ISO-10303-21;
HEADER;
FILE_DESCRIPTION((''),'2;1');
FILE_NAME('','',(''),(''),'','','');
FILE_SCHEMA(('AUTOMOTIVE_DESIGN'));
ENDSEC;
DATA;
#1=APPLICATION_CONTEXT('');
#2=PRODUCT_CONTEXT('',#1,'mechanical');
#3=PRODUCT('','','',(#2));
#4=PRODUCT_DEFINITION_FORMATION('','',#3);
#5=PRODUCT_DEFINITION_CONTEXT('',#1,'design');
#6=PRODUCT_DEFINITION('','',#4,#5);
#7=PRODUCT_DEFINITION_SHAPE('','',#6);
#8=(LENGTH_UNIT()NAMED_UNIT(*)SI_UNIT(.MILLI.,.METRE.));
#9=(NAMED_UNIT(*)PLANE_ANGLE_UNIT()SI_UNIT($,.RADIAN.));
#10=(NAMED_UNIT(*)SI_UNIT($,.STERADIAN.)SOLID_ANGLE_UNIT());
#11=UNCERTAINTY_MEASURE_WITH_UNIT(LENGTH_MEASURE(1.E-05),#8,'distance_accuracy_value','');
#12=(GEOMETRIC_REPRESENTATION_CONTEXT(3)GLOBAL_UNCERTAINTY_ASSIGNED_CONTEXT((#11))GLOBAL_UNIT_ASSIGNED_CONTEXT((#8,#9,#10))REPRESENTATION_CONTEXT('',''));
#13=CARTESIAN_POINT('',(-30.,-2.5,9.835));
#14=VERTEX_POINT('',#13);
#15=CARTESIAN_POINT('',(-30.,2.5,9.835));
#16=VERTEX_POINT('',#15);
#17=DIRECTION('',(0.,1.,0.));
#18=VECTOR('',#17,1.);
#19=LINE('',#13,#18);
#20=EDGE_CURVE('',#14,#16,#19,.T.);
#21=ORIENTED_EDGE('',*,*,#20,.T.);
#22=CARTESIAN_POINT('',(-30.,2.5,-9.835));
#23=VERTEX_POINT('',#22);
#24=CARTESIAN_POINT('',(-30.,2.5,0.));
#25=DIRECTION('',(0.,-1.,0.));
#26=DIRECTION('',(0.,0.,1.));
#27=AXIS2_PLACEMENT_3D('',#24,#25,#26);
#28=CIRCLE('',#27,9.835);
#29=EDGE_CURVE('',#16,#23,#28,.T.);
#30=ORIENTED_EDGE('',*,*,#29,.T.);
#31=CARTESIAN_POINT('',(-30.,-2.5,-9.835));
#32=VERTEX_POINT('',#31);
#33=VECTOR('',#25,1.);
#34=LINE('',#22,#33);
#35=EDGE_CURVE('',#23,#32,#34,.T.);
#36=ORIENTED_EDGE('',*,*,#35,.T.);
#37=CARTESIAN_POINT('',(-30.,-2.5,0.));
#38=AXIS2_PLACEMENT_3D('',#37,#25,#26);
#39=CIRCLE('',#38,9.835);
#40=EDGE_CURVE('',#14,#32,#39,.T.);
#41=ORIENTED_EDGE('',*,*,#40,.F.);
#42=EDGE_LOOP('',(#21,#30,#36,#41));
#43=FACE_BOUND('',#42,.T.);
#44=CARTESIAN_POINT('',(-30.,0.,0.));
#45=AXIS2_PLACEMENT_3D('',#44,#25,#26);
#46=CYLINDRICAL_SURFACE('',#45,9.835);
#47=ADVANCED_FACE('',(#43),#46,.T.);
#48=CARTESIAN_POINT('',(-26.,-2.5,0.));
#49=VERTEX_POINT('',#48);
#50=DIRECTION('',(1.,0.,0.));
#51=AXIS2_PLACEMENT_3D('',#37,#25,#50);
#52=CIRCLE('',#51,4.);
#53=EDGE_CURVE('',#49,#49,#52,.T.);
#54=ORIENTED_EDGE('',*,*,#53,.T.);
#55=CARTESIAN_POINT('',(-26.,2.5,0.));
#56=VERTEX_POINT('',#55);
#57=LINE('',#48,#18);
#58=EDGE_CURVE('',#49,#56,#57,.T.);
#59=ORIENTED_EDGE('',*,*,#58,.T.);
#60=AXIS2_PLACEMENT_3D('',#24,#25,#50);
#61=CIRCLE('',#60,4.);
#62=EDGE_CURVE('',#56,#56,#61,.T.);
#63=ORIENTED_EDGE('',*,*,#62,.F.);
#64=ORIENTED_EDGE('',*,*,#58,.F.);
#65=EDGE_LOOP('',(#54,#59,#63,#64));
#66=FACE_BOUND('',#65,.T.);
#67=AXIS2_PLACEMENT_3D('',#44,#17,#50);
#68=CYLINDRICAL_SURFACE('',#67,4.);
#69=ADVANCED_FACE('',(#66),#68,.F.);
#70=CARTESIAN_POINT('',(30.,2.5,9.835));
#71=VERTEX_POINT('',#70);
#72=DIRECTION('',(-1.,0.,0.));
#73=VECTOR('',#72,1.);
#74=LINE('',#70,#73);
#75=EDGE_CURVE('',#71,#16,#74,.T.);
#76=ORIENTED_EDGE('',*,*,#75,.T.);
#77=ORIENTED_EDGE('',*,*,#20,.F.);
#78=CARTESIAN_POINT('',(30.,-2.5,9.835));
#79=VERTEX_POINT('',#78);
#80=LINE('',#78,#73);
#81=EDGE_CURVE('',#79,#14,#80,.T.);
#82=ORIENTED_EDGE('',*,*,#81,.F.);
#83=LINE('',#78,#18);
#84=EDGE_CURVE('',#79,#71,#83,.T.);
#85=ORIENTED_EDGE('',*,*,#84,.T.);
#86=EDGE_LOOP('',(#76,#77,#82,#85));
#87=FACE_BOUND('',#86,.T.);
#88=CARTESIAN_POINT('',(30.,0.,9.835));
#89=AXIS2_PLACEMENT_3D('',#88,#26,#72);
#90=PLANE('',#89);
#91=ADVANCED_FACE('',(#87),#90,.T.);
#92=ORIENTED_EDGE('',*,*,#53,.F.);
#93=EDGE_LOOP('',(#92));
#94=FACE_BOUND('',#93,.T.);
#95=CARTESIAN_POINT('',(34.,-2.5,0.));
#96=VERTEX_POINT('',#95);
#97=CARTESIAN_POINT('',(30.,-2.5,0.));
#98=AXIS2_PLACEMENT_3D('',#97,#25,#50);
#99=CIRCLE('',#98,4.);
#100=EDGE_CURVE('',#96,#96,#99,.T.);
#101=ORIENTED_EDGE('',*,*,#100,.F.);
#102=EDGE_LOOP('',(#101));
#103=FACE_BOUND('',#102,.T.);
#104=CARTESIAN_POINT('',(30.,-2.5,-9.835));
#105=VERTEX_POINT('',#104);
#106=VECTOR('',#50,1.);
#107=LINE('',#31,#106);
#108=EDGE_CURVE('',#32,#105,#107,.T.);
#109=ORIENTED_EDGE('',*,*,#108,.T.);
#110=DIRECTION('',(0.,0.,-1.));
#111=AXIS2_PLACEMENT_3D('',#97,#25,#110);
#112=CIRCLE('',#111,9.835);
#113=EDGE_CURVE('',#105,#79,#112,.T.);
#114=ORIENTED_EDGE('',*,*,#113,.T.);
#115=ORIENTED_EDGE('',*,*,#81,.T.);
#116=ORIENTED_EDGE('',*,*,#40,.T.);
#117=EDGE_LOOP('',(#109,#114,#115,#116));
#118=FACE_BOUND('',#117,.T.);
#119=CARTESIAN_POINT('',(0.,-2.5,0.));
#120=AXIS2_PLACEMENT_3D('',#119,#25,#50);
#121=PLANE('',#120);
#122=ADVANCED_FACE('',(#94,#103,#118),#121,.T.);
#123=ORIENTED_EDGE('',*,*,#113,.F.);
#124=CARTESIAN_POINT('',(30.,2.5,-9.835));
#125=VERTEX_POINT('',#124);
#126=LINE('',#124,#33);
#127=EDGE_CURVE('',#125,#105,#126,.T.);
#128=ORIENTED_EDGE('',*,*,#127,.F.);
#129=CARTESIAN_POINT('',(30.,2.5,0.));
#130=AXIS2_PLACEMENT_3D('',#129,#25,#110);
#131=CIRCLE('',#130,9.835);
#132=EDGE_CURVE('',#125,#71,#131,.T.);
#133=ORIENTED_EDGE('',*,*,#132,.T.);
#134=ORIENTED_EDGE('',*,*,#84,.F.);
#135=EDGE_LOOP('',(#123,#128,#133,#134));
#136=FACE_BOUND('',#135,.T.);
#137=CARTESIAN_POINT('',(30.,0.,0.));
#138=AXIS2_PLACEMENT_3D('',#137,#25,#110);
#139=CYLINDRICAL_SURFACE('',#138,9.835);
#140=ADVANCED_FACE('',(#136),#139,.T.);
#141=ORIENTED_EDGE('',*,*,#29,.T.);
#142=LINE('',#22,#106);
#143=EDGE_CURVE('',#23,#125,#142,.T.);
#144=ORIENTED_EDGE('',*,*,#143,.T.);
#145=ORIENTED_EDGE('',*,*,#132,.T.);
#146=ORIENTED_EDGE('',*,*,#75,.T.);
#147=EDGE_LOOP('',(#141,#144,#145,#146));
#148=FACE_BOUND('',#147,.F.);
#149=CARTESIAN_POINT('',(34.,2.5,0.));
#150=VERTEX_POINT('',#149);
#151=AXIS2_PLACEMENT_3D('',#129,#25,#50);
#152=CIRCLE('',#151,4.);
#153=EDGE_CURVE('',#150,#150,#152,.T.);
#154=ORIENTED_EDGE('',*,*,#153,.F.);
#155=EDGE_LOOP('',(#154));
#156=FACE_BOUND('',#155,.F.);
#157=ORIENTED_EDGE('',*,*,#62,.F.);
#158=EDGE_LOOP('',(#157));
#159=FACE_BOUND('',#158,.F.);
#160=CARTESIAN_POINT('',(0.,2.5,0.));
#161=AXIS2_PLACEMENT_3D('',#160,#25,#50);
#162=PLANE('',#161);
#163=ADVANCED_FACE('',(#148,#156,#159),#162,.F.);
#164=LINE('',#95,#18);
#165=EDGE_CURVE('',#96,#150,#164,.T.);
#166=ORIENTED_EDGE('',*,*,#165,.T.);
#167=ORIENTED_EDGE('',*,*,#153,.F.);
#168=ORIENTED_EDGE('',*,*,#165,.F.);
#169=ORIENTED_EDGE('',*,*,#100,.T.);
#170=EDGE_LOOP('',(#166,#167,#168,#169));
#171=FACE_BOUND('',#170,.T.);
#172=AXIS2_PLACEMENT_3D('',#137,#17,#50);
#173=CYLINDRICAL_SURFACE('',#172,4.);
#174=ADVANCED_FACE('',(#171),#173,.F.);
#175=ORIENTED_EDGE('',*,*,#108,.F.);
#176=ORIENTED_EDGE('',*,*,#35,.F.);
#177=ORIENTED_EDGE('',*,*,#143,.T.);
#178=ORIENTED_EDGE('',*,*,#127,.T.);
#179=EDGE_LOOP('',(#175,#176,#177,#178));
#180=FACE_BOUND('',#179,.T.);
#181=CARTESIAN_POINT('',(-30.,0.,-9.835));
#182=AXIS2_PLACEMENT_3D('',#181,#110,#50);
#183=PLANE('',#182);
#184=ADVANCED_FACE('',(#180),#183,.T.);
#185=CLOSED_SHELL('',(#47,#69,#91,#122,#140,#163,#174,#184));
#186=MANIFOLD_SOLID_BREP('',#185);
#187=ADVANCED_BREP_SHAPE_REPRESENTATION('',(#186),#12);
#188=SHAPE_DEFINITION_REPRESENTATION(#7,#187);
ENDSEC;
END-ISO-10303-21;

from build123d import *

# Parameters (mm, degrees)
F0_R     = 4
F1_DEPTH = 2.5


with BuildPart() as f1:
    # F0 (on Front) → F1 (new body, symmetric)
    with BuildSketch(Plane.XZ):
        with BuildLine():
            Line((0, 9.835), (-30, 9.835))
            ThreePointArc((-30, 9.835), (-39.835, 0), (-30, -9.835))
            Line((-30, -9.835), (0, -9.835))
            Line((0, -9.835), (30, -9.835))
            ThreePointArc((30, -9.835), (39.835, 0), (30, 9.835))
            Line((30, 9.835), (0, 9.835))
        make_face()
        with Locations((-30, 0)):
            Circle(F0_R, mode=Mode.SUBTRACT)
        with Locations((30, 0)):
            Circle(F0_R, mode=Mode.SUBTRACT)
    extrude(amount=F1_DEPTH, both=True)


solid = f1.part
